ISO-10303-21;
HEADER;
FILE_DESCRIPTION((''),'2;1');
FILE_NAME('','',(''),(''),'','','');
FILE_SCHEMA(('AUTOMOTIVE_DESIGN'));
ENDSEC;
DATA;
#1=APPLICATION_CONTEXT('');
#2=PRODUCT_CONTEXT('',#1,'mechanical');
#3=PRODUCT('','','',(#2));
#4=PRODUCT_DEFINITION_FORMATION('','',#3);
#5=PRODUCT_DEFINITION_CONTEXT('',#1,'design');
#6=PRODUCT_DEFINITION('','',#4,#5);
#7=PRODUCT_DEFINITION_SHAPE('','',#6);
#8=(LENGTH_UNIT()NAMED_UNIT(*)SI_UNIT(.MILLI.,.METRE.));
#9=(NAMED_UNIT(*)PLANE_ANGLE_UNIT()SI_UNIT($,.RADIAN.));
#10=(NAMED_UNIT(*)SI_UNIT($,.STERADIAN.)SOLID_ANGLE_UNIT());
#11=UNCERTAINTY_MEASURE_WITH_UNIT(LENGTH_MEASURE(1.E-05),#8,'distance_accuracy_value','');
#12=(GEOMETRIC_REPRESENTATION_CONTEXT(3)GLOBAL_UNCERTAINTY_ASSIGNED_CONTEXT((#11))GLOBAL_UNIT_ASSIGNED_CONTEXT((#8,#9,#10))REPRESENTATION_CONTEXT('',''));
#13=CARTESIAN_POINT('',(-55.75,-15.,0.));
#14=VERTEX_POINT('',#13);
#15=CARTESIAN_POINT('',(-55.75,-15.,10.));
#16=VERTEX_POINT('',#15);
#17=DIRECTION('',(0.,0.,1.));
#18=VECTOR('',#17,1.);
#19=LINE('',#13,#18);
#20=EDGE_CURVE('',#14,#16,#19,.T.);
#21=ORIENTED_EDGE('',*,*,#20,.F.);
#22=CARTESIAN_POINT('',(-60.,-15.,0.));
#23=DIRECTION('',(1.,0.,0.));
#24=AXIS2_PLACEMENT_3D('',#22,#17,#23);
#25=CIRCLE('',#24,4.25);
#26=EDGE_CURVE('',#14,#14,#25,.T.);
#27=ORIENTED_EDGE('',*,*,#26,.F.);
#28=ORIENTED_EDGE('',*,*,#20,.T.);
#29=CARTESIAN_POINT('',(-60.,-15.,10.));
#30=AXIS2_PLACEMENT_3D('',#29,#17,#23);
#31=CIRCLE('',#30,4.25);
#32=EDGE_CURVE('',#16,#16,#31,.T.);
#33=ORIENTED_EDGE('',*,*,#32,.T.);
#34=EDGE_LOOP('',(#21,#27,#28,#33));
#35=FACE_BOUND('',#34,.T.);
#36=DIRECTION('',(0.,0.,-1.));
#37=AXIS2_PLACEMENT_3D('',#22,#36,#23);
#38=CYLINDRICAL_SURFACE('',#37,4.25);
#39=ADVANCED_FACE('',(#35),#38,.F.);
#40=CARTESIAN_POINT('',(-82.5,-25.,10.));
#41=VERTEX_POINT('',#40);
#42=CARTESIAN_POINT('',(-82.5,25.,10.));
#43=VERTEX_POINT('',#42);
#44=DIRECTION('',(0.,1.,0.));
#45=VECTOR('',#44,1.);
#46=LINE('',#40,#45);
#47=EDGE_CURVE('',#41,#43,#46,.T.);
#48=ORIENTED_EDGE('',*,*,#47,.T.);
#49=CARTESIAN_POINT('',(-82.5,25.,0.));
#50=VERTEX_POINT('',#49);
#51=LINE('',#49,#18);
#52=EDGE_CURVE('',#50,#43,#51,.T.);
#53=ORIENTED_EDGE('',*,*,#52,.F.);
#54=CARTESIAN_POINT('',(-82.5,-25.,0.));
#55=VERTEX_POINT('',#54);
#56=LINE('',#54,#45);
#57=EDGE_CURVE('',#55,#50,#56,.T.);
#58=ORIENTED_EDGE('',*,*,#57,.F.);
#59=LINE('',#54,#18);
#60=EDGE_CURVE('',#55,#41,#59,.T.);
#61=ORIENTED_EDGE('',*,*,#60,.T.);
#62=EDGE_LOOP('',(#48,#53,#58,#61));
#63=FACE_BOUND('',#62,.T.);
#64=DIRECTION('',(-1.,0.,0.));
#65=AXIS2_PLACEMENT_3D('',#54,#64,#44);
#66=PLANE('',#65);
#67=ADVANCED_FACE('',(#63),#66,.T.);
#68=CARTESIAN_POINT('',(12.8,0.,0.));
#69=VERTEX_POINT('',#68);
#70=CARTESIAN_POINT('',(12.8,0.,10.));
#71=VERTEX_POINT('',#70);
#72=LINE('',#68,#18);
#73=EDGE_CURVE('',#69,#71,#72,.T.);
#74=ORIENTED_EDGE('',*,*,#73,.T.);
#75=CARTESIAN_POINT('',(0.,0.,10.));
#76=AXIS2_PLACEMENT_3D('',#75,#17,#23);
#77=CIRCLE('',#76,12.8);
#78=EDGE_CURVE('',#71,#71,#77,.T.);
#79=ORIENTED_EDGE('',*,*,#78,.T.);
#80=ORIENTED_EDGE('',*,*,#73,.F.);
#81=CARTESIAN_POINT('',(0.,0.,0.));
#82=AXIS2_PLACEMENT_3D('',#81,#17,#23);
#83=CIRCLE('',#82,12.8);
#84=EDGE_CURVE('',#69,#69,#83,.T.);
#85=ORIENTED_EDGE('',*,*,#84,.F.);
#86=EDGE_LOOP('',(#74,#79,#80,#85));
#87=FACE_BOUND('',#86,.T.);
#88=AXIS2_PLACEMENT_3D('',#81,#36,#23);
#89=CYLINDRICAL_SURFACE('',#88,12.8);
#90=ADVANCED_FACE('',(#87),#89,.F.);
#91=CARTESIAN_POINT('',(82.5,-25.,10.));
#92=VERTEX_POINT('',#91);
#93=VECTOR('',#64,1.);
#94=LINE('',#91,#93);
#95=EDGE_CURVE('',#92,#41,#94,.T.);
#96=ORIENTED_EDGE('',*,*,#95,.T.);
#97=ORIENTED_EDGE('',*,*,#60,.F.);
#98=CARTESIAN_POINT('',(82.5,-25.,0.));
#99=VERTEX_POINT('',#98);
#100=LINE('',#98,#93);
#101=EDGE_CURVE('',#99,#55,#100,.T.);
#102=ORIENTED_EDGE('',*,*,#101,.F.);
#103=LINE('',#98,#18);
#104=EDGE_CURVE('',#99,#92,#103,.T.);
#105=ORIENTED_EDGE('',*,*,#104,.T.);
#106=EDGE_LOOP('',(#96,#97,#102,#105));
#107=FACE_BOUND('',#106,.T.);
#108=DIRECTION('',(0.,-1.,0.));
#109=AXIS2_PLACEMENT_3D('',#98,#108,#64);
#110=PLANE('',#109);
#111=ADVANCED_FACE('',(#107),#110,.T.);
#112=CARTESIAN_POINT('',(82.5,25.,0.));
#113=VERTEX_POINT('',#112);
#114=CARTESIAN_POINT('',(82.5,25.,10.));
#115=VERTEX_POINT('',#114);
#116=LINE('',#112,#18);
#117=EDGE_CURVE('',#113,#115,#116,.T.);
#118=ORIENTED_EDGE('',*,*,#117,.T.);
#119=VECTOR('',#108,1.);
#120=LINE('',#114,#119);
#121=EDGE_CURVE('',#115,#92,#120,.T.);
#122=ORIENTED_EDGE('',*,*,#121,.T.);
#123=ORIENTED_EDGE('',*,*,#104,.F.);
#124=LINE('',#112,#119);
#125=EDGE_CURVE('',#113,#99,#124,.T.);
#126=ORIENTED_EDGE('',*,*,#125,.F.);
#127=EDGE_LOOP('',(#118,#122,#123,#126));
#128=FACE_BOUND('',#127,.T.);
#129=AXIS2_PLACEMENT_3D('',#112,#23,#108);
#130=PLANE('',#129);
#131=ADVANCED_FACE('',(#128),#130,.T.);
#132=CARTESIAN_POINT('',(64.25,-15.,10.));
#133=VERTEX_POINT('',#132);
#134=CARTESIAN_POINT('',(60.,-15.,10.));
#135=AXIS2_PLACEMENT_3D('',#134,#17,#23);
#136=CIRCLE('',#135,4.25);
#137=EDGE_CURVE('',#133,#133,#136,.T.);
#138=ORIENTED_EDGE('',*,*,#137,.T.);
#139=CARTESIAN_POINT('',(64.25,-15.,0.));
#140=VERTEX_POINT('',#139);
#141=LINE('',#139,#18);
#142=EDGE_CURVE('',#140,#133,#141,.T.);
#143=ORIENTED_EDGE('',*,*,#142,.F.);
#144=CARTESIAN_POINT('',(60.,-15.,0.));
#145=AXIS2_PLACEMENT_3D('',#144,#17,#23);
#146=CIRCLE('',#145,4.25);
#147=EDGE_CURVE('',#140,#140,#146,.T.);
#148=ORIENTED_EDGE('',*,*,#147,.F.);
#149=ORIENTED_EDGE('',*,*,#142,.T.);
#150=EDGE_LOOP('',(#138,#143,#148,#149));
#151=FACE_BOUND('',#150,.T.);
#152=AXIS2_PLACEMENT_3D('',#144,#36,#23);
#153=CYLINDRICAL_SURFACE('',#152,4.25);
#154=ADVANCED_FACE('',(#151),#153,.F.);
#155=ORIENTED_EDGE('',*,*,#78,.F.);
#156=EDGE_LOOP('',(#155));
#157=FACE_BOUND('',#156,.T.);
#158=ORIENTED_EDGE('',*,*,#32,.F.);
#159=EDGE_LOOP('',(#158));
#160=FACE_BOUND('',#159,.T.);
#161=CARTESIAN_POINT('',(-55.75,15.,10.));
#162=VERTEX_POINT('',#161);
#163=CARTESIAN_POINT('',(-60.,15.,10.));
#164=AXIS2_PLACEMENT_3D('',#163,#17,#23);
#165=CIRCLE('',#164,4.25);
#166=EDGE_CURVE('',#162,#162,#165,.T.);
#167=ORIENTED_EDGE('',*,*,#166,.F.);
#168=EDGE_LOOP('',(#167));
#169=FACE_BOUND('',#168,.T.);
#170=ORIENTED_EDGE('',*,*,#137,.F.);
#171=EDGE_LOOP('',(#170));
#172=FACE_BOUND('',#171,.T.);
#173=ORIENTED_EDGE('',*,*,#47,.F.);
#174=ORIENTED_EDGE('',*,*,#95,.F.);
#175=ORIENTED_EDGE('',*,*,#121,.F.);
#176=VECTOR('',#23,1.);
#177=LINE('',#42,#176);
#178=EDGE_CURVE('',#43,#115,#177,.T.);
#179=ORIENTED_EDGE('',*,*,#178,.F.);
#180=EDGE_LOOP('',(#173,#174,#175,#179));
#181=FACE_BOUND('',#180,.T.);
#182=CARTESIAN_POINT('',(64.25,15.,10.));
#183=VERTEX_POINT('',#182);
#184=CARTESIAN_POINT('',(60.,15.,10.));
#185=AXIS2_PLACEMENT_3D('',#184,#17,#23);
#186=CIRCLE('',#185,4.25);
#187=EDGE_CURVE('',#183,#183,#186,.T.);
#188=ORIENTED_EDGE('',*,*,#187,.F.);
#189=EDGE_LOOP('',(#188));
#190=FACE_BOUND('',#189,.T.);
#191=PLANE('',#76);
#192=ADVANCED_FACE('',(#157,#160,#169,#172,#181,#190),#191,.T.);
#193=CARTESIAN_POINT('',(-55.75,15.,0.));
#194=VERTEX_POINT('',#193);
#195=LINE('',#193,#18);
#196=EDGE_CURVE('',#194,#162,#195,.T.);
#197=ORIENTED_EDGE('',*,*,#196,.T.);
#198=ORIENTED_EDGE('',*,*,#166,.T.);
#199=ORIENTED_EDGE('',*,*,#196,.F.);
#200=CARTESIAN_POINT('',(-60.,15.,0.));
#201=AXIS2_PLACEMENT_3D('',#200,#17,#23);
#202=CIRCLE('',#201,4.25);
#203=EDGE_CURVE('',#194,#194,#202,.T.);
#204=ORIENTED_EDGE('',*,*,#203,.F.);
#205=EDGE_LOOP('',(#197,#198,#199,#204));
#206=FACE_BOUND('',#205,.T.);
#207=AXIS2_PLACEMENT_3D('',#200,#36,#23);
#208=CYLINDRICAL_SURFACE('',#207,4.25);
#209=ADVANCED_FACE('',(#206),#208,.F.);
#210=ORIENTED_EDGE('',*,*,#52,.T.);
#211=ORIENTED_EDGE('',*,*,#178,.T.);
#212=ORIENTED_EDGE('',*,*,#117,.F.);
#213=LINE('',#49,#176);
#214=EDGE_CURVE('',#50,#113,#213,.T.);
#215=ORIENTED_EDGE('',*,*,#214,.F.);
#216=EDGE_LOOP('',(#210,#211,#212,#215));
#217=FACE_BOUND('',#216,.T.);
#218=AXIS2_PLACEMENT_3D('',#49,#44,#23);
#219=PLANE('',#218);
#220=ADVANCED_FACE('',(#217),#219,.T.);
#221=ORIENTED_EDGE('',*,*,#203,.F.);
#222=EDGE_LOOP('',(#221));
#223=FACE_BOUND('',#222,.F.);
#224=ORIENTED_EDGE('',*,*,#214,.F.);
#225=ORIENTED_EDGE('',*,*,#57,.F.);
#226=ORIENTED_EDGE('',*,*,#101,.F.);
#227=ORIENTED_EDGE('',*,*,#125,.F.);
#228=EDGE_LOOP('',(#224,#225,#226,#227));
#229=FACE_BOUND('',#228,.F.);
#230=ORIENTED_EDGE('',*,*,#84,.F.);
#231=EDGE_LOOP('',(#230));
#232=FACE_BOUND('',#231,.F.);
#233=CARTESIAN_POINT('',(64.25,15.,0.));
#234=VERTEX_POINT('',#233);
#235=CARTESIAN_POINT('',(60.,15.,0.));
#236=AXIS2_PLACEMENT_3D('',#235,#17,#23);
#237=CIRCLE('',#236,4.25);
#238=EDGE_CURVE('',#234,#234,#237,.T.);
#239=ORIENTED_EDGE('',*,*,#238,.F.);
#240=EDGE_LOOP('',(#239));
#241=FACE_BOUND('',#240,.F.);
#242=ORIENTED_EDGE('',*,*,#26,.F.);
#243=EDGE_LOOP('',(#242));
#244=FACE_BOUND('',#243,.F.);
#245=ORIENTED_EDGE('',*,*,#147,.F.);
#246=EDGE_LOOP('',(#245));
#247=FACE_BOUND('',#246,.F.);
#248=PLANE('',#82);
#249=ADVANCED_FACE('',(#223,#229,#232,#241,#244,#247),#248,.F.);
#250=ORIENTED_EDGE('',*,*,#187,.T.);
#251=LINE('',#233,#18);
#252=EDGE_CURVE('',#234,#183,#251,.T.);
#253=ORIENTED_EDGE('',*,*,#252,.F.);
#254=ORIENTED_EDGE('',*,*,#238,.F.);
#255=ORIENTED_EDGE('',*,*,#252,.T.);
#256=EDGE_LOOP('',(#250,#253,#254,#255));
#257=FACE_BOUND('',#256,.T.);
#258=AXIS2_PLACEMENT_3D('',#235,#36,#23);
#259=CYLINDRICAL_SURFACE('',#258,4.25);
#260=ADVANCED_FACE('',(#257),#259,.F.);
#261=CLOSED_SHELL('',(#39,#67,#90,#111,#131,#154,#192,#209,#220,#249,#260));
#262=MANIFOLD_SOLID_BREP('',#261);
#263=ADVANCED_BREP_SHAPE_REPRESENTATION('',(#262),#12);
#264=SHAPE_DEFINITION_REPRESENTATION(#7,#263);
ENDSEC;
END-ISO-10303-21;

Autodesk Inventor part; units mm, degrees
ref_plane "YZ Plane" through (0, 0, 0) normal (1, 0, 0) x (0, 1, 0)
ref_plane "XZ Plane" through (0, 0, 0) normal (0, 1, 0) x (-1, 0, 0)
ref_plane "XY Plane" through (0, 0, 0) normal (0, 0, 1) x (1, 0, 0)
sketch "Sketch1" plane through (0, 0, 0) normal (0, 0, 1) x (1, 0, 0)
  line L0 (-82.5, 25) -> (82.5, 25)
  line L1 (82.5, 25) -> (82.5, -25)
  line L2 (82.5, -25) -> (-82.5, -25)
  line L3 (-82.5, -25) -> (-82.5, 25)
  circle A0 centre (0, 0) radius 12.8
  circle A1 centre (-60, 15) radius 4.25
  circle A2 centre (-60, -15) radius 4.25
  circle A3 centre (60, 15) radius 4.25
  circle A4 centre (60, -15) radius 4.25
  dimension "d0" = 165
  dimension "d1" = 82.5
  dimension "d2" = 25.6
  dimension "d3" = 50
  dimension "d4" = 25
  dimension "d5" = 8.5
  dimension "d6" = 22.5
  dimension "d7" = 22.5
  dimension "d8" = 22.5
  dimension "d9" = 22.5
  dimension "d10" = 10
  dimension "d11" = 10
  dimension "d12" = 10
  dimension "d13" = 10
extrude "Extrusion1" add sketch "Sketch1" along normal blind 10
properties part number "1222_Former Shaft Plate_V1" material "Aluminum 6061"
